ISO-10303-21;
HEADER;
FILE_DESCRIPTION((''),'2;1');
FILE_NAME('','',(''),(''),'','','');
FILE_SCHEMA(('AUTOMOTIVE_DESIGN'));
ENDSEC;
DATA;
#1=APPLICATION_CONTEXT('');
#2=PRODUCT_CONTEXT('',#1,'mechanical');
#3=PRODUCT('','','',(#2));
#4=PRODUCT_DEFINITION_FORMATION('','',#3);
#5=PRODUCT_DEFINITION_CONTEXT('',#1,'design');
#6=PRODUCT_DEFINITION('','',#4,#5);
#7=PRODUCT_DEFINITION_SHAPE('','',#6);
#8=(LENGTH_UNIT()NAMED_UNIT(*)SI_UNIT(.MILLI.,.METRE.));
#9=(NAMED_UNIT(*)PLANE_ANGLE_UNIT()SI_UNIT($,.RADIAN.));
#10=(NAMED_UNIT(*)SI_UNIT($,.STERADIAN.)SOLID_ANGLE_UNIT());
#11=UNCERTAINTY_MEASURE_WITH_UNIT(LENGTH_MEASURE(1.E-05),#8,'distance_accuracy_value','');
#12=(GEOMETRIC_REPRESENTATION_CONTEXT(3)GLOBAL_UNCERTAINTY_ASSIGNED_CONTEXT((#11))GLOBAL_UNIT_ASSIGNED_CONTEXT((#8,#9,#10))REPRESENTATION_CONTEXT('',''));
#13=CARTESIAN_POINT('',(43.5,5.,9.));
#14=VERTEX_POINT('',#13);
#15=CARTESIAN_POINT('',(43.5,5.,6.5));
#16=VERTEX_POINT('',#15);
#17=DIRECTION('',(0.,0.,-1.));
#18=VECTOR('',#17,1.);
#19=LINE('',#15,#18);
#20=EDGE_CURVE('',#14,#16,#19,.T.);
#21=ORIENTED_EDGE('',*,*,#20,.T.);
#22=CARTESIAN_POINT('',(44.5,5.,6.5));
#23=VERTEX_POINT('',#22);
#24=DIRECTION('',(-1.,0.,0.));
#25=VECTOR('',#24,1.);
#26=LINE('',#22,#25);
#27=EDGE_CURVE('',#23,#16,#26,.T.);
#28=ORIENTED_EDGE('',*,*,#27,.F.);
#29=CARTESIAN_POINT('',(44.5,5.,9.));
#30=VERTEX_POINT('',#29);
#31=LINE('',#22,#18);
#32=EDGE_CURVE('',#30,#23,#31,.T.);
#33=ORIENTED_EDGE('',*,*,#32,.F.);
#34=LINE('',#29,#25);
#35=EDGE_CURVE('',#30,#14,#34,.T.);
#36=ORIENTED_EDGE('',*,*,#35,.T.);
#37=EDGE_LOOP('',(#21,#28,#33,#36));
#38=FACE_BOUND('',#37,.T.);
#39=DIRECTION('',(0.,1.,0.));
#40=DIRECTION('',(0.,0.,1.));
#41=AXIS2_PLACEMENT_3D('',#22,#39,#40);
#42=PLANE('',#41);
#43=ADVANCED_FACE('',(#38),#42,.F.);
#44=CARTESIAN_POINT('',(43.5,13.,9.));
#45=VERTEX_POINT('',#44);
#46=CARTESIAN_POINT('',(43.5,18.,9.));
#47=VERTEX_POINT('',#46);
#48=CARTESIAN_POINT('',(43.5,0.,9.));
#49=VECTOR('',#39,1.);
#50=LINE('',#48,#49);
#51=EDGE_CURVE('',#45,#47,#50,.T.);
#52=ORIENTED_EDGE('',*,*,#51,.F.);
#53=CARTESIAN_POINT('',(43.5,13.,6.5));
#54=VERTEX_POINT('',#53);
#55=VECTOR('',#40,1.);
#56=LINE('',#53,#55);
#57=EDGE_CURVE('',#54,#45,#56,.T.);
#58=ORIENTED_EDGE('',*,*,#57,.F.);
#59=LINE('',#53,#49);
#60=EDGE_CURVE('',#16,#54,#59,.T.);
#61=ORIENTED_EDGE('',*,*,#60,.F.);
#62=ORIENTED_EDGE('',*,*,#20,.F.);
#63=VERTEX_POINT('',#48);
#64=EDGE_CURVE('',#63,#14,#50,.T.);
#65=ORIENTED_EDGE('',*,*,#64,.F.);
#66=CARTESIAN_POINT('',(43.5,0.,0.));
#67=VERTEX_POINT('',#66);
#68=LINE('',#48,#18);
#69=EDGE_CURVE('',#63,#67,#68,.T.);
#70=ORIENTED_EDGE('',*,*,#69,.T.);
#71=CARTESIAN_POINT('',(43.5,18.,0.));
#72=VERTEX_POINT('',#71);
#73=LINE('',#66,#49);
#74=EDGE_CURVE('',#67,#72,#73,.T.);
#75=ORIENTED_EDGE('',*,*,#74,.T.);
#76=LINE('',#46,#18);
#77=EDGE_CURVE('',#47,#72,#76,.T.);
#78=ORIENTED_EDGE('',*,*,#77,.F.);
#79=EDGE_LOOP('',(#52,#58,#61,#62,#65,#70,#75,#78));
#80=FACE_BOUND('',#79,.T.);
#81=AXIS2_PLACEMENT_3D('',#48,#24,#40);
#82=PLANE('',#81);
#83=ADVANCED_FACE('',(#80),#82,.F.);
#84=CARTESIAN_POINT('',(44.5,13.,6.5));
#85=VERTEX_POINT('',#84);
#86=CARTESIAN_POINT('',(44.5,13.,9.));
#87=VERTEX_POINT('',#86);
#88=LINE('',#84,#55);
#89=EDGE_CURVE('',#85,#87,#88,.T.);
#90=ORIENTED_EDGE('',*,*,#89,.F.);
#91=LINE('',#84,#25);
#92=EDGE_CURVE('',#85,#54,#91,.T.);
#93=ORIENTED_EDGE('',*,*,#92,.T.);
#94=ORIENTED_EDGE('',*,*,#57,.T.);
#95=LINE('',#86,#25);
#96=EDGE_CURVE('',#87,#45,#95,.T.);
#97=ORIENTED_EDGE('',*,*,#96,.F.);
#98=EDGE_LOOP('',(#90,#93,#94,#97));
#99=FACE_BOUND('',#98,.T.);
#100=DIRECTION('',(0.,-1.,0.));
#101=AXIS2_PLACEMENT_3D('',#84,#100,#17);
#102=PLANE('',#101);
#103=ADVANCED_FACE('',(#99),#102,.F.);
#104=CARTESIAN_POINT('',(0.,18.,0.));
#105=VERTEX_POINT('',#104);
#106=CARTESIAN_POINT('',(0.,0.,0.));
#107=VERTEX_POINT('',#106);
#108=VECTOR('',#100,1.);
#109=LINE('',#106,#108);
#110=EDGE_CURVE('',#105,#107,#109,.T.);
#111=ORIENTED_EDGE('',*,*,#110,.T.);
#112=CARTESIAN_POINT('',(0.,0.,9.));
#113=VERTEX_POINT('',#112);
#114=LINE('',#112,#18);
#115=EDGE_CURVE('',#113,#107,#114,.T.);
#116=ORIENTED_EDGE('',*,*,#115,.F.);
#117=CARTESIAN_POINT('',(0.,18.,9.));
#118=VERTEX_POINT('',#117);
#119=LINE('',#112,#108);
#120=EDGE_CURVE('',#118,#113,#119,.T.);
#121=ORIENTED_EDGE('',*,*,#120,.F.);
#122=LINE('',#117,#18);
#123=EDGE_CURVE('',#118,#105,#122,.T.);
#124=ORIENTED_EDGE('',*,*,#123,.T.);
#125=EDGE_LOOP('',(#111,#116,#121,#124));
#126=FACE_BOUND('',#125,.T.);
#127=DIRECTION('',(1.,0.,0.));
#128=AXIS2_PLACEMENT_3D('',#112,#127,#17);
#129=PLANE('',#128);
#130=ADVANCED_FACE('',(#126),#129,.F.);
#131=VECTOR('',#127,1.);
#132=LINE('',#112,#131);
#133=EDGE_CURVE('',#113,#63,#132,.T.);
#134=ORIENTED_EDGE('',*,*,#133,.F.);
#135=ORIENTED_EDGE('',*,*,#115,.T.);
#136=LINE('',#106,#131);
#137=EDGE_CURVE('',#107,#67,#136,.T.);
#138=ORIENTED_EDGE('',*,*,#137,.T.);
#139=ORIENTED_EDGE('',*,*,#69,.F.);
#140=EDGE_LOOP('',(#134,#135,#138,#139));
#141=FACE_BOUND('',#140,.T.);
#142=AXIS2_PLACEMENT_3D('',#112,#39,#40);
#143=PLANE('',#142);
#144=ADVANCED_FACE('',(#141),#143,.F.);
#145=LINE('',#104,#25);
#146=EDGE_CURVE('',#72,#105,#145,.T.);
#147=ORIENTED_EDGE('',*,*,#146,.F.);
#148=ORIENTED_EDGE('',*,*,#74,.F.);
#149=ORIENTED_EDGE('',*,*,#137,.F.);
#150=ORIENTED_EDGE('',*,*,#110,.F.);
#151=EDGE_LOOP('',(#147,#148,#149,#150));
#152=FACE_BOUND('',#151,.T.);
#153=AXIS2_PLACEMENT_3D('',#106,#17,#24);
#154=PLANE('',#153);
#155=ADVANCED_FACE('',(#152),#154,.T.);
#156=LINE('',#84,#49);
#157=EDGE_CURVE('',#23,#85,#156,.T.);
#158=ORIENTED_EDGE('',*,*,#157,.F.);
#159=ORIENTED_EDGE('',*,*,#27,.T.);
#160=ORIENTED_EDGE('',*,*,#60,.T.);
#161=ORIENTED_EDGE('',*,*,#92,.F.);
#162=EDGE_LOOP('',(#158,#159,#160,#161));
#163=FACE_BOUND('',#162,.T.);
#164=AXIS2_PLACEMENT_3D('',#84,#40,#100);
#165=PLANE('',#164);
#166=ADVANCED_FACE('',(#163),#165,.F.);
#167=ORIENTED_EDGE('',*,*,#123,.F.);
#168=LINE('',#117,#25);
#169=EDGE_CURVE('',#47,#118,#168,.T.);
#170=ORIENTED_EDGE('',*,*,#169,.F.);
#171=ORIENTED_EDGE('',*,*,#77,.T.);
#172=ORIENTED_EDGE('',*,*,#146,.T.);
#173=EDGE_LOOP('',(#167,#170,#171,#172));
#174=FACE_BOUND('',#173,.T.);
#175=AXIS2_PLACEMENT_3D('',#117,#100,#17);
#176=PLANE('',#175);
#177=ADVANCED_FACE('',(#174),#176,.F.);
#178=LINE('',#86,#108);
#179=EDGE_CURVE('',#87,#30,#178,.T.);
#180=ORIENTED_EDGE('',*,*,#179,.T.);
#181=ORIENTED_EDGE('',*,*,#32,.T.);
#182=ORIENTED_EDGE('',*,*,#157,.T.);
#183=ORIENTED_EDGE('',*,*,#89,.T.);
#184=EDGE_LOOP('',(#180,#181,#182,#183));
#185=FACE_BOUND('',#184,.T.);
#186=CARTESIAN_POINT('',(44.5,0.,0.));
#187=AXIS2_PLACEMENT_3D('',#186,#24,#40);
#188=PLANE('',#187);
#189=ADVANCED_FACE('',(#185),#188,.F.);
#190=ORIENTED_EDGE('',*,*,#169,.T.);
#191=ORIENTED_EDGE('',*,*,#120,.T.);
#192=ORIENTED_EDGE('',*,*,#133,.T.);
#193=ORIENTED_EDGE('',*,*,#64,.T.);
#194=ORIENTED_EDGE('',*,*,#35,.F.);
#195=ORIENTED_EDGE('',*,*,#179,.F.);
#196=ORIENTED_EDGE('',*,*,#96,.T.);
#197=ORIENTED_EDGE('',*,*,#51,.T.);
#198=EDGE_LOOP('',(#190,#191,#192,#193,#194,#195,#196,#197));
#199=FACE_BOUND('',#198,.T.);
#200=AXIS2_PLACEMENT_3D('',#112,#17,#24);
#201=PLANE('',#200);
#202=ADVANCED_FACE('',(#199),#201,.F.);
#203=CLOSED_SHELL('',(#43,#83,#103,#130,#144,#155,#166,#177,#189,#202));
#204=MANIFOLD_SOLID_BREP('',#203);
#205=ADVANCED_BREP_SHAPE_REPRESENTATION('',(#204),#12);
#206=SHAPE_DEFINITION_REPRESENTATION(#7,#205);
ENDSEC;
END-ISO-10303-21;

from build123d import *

# Parameters (mm, degrees)
SKETCH1_W           = 43.5
SKETCH1_H           = 18
BOSS_EXTRUDE1_DEPTH = 9
SKETCH2_W           = 2.5
SKETCH2_H           = 8
BOSS_EXTRUDE2_DEPTH = 1


with BuildPart() as part:
    # Sketch1 → Boss-Extrude1 (new body)
    with BuildSketch(Plane.XY):
        with Locations((21.75, 9)):
            Rectangle(SKETCH1_W, SKETCH1_H)
    extrude(amount=BOSS_EXTRUDE1_DEPTH)

    # Sketch2 → Boss-Extrude2 (add)
    with BuildSketch(Plane(origin=(43.5, 0, 0), x_dir=(0, 0, -1), z_dir=(1, 0, 0))):
        with Locations((-7.75, 9)):
            Rectangle(SKETCH2_W, SKETCH2_H)
    extrude(amount=BOSS_EXTRUDE2_DEPTH)


solid = part.part
